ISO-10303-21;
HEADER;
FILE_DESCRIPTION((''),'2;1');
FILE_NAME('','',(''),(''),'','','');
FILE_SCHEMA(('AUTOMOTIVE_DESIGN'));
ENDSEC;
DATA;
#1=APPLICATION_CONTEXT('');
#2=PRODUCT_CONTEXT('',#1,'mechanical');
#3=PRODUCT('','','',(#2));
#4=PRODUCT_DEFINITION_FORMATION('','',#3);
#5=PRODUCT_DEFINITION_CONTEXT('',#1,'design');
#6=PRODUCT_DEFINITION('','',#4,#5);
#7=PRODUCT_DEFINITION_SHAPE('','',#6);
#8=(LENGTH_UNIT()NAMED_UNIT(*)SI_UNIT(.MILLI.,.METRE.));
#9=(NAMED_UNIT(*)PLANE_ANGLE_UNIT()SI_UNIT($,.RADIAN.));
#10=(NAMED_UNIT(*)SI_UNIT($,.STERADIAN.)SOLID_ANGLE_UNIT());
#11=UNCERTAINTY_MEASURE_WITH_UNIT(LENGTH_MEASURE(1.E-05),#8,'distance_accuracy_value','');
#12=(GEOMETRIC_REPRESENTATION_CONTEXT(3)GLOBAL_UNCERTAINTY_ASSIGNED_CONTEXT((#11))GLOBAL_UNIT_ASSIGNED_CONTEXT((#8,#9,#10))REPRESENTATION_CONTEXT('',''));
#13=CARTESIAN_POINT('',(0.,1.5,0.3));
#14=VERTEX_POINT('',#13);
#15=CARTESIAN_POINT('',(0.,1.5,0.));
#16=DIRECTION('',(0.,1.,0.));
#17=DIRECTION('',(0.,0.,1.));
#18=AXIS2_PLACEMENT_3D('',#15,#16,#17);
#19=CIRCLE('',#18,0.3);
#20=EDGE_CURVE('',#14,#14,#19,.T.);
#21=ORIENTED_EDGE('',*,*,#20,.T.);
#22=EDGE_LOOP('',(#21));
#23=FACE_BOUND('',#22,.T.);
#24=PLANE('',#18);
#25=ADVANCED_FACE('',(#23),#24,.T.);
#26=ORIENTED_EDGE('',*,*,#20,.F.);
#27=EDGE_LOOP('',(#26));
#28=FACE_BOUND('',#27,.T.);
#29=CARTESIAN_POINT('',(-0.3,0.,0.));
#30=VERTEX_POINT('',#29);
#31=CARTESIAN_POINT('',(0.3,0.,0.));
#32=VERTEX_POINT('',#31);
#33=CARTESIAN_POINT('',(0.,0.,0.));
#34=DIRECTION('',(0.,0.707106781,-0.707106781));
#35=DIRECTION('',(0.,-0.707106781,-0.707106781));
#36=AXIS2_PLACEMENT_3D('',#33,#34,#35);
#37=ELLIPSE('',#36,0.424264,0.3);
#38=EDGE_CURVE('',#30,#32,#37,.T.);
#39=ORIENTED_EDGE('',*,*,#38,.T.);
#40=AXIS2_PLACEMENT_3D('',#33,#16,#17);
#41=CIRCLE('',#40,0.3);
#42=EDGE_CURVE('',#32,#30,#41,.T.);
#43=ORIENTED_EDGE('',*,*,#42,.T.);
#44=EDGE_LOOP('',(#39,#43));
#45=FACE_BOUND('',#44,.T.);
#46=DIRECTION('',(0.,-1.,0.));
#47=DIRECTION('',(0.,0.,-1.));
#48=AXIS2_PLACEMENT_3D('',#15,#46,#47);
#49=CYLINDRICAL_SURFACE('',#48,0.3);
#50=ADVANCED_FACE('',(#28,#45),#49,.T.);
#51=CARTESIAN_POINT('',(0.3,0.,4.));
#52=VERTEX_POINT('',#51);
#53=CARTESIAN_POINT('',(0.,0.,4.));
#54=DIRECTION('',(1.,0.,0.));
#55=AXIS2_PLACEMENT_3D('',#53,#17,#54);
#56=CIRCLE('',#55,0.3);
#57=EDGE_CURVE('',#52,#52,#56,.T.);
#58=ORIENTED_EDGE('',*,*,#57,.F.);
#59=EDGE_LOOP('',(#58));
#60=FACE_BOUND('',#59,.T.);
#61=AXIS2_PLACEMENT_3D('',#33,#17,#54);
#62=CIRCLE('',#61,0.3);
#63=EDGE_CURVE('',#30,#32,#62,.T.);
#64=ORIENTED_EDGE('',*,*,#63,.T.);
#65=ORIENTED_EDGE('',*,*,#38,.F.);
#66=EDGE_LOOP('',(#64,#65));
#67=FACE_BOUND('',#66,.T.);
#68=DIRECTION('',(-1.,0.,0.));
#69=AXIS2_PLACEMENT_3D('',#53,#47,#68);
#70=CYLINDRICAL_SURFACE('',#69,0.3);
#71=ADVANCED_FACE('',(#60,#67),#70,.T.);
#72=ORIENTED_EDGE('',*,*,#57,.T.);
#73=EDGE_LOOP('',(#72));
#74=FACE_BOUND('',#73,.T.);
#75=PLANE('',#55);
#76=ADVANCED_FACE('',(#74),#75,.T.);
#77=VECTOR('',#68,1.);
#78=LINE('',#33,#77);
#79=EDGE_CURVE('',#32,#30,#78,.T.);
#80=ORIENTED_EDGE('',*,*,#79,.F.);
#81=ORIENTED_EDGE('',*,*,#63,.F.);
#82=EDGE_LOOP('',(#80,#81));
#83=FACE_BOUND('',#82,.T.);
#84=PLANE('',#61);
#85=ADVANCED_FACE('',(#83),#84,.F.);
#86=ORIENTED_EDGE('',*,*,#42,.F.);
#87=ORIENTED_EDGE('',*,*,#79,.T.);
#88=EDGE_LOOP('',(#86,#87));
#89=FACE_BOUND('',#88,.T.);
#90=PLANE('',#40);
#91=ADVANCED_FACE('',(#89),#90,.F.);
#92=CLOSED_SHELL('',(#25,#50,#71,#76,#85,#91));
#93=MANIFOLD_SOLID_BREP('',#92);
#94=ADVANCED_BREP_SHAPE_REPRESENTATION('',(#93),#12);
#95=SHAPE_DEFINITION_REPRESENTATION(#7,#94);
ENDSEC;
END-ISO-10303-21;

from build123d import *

# Parameters (mm, degrees)
SKETCH_1_R      = 0.3
EXTRUDE_1_DEPTH = 4
SKETCH_4_R      = 0.3
EXTRUDE_5_DEPTH = 1.5


with BuildPart() as part:
    # 草图1 → 凸台-拉伸1 (new body)
    with BuildSketch(Plane.XY):
        Circle(SKETCH_1_R)
    extrude(amount=EXTRUDE_1_DEPTH)

    # 草图4 → 凸台-拉伸5 (add)
    with BuildSketch(Plane(origin=(0, 0, 0), x_dir=(1, 0, 0), z_dir=(0, 1, 0))):
        with Locations(Location((0, 0, 0), (0, 0, 180))):
            Circle(SKETCH_4_R)
    extrude(amount=EXTRUDE_5_DEPTH)


solid = part.part
